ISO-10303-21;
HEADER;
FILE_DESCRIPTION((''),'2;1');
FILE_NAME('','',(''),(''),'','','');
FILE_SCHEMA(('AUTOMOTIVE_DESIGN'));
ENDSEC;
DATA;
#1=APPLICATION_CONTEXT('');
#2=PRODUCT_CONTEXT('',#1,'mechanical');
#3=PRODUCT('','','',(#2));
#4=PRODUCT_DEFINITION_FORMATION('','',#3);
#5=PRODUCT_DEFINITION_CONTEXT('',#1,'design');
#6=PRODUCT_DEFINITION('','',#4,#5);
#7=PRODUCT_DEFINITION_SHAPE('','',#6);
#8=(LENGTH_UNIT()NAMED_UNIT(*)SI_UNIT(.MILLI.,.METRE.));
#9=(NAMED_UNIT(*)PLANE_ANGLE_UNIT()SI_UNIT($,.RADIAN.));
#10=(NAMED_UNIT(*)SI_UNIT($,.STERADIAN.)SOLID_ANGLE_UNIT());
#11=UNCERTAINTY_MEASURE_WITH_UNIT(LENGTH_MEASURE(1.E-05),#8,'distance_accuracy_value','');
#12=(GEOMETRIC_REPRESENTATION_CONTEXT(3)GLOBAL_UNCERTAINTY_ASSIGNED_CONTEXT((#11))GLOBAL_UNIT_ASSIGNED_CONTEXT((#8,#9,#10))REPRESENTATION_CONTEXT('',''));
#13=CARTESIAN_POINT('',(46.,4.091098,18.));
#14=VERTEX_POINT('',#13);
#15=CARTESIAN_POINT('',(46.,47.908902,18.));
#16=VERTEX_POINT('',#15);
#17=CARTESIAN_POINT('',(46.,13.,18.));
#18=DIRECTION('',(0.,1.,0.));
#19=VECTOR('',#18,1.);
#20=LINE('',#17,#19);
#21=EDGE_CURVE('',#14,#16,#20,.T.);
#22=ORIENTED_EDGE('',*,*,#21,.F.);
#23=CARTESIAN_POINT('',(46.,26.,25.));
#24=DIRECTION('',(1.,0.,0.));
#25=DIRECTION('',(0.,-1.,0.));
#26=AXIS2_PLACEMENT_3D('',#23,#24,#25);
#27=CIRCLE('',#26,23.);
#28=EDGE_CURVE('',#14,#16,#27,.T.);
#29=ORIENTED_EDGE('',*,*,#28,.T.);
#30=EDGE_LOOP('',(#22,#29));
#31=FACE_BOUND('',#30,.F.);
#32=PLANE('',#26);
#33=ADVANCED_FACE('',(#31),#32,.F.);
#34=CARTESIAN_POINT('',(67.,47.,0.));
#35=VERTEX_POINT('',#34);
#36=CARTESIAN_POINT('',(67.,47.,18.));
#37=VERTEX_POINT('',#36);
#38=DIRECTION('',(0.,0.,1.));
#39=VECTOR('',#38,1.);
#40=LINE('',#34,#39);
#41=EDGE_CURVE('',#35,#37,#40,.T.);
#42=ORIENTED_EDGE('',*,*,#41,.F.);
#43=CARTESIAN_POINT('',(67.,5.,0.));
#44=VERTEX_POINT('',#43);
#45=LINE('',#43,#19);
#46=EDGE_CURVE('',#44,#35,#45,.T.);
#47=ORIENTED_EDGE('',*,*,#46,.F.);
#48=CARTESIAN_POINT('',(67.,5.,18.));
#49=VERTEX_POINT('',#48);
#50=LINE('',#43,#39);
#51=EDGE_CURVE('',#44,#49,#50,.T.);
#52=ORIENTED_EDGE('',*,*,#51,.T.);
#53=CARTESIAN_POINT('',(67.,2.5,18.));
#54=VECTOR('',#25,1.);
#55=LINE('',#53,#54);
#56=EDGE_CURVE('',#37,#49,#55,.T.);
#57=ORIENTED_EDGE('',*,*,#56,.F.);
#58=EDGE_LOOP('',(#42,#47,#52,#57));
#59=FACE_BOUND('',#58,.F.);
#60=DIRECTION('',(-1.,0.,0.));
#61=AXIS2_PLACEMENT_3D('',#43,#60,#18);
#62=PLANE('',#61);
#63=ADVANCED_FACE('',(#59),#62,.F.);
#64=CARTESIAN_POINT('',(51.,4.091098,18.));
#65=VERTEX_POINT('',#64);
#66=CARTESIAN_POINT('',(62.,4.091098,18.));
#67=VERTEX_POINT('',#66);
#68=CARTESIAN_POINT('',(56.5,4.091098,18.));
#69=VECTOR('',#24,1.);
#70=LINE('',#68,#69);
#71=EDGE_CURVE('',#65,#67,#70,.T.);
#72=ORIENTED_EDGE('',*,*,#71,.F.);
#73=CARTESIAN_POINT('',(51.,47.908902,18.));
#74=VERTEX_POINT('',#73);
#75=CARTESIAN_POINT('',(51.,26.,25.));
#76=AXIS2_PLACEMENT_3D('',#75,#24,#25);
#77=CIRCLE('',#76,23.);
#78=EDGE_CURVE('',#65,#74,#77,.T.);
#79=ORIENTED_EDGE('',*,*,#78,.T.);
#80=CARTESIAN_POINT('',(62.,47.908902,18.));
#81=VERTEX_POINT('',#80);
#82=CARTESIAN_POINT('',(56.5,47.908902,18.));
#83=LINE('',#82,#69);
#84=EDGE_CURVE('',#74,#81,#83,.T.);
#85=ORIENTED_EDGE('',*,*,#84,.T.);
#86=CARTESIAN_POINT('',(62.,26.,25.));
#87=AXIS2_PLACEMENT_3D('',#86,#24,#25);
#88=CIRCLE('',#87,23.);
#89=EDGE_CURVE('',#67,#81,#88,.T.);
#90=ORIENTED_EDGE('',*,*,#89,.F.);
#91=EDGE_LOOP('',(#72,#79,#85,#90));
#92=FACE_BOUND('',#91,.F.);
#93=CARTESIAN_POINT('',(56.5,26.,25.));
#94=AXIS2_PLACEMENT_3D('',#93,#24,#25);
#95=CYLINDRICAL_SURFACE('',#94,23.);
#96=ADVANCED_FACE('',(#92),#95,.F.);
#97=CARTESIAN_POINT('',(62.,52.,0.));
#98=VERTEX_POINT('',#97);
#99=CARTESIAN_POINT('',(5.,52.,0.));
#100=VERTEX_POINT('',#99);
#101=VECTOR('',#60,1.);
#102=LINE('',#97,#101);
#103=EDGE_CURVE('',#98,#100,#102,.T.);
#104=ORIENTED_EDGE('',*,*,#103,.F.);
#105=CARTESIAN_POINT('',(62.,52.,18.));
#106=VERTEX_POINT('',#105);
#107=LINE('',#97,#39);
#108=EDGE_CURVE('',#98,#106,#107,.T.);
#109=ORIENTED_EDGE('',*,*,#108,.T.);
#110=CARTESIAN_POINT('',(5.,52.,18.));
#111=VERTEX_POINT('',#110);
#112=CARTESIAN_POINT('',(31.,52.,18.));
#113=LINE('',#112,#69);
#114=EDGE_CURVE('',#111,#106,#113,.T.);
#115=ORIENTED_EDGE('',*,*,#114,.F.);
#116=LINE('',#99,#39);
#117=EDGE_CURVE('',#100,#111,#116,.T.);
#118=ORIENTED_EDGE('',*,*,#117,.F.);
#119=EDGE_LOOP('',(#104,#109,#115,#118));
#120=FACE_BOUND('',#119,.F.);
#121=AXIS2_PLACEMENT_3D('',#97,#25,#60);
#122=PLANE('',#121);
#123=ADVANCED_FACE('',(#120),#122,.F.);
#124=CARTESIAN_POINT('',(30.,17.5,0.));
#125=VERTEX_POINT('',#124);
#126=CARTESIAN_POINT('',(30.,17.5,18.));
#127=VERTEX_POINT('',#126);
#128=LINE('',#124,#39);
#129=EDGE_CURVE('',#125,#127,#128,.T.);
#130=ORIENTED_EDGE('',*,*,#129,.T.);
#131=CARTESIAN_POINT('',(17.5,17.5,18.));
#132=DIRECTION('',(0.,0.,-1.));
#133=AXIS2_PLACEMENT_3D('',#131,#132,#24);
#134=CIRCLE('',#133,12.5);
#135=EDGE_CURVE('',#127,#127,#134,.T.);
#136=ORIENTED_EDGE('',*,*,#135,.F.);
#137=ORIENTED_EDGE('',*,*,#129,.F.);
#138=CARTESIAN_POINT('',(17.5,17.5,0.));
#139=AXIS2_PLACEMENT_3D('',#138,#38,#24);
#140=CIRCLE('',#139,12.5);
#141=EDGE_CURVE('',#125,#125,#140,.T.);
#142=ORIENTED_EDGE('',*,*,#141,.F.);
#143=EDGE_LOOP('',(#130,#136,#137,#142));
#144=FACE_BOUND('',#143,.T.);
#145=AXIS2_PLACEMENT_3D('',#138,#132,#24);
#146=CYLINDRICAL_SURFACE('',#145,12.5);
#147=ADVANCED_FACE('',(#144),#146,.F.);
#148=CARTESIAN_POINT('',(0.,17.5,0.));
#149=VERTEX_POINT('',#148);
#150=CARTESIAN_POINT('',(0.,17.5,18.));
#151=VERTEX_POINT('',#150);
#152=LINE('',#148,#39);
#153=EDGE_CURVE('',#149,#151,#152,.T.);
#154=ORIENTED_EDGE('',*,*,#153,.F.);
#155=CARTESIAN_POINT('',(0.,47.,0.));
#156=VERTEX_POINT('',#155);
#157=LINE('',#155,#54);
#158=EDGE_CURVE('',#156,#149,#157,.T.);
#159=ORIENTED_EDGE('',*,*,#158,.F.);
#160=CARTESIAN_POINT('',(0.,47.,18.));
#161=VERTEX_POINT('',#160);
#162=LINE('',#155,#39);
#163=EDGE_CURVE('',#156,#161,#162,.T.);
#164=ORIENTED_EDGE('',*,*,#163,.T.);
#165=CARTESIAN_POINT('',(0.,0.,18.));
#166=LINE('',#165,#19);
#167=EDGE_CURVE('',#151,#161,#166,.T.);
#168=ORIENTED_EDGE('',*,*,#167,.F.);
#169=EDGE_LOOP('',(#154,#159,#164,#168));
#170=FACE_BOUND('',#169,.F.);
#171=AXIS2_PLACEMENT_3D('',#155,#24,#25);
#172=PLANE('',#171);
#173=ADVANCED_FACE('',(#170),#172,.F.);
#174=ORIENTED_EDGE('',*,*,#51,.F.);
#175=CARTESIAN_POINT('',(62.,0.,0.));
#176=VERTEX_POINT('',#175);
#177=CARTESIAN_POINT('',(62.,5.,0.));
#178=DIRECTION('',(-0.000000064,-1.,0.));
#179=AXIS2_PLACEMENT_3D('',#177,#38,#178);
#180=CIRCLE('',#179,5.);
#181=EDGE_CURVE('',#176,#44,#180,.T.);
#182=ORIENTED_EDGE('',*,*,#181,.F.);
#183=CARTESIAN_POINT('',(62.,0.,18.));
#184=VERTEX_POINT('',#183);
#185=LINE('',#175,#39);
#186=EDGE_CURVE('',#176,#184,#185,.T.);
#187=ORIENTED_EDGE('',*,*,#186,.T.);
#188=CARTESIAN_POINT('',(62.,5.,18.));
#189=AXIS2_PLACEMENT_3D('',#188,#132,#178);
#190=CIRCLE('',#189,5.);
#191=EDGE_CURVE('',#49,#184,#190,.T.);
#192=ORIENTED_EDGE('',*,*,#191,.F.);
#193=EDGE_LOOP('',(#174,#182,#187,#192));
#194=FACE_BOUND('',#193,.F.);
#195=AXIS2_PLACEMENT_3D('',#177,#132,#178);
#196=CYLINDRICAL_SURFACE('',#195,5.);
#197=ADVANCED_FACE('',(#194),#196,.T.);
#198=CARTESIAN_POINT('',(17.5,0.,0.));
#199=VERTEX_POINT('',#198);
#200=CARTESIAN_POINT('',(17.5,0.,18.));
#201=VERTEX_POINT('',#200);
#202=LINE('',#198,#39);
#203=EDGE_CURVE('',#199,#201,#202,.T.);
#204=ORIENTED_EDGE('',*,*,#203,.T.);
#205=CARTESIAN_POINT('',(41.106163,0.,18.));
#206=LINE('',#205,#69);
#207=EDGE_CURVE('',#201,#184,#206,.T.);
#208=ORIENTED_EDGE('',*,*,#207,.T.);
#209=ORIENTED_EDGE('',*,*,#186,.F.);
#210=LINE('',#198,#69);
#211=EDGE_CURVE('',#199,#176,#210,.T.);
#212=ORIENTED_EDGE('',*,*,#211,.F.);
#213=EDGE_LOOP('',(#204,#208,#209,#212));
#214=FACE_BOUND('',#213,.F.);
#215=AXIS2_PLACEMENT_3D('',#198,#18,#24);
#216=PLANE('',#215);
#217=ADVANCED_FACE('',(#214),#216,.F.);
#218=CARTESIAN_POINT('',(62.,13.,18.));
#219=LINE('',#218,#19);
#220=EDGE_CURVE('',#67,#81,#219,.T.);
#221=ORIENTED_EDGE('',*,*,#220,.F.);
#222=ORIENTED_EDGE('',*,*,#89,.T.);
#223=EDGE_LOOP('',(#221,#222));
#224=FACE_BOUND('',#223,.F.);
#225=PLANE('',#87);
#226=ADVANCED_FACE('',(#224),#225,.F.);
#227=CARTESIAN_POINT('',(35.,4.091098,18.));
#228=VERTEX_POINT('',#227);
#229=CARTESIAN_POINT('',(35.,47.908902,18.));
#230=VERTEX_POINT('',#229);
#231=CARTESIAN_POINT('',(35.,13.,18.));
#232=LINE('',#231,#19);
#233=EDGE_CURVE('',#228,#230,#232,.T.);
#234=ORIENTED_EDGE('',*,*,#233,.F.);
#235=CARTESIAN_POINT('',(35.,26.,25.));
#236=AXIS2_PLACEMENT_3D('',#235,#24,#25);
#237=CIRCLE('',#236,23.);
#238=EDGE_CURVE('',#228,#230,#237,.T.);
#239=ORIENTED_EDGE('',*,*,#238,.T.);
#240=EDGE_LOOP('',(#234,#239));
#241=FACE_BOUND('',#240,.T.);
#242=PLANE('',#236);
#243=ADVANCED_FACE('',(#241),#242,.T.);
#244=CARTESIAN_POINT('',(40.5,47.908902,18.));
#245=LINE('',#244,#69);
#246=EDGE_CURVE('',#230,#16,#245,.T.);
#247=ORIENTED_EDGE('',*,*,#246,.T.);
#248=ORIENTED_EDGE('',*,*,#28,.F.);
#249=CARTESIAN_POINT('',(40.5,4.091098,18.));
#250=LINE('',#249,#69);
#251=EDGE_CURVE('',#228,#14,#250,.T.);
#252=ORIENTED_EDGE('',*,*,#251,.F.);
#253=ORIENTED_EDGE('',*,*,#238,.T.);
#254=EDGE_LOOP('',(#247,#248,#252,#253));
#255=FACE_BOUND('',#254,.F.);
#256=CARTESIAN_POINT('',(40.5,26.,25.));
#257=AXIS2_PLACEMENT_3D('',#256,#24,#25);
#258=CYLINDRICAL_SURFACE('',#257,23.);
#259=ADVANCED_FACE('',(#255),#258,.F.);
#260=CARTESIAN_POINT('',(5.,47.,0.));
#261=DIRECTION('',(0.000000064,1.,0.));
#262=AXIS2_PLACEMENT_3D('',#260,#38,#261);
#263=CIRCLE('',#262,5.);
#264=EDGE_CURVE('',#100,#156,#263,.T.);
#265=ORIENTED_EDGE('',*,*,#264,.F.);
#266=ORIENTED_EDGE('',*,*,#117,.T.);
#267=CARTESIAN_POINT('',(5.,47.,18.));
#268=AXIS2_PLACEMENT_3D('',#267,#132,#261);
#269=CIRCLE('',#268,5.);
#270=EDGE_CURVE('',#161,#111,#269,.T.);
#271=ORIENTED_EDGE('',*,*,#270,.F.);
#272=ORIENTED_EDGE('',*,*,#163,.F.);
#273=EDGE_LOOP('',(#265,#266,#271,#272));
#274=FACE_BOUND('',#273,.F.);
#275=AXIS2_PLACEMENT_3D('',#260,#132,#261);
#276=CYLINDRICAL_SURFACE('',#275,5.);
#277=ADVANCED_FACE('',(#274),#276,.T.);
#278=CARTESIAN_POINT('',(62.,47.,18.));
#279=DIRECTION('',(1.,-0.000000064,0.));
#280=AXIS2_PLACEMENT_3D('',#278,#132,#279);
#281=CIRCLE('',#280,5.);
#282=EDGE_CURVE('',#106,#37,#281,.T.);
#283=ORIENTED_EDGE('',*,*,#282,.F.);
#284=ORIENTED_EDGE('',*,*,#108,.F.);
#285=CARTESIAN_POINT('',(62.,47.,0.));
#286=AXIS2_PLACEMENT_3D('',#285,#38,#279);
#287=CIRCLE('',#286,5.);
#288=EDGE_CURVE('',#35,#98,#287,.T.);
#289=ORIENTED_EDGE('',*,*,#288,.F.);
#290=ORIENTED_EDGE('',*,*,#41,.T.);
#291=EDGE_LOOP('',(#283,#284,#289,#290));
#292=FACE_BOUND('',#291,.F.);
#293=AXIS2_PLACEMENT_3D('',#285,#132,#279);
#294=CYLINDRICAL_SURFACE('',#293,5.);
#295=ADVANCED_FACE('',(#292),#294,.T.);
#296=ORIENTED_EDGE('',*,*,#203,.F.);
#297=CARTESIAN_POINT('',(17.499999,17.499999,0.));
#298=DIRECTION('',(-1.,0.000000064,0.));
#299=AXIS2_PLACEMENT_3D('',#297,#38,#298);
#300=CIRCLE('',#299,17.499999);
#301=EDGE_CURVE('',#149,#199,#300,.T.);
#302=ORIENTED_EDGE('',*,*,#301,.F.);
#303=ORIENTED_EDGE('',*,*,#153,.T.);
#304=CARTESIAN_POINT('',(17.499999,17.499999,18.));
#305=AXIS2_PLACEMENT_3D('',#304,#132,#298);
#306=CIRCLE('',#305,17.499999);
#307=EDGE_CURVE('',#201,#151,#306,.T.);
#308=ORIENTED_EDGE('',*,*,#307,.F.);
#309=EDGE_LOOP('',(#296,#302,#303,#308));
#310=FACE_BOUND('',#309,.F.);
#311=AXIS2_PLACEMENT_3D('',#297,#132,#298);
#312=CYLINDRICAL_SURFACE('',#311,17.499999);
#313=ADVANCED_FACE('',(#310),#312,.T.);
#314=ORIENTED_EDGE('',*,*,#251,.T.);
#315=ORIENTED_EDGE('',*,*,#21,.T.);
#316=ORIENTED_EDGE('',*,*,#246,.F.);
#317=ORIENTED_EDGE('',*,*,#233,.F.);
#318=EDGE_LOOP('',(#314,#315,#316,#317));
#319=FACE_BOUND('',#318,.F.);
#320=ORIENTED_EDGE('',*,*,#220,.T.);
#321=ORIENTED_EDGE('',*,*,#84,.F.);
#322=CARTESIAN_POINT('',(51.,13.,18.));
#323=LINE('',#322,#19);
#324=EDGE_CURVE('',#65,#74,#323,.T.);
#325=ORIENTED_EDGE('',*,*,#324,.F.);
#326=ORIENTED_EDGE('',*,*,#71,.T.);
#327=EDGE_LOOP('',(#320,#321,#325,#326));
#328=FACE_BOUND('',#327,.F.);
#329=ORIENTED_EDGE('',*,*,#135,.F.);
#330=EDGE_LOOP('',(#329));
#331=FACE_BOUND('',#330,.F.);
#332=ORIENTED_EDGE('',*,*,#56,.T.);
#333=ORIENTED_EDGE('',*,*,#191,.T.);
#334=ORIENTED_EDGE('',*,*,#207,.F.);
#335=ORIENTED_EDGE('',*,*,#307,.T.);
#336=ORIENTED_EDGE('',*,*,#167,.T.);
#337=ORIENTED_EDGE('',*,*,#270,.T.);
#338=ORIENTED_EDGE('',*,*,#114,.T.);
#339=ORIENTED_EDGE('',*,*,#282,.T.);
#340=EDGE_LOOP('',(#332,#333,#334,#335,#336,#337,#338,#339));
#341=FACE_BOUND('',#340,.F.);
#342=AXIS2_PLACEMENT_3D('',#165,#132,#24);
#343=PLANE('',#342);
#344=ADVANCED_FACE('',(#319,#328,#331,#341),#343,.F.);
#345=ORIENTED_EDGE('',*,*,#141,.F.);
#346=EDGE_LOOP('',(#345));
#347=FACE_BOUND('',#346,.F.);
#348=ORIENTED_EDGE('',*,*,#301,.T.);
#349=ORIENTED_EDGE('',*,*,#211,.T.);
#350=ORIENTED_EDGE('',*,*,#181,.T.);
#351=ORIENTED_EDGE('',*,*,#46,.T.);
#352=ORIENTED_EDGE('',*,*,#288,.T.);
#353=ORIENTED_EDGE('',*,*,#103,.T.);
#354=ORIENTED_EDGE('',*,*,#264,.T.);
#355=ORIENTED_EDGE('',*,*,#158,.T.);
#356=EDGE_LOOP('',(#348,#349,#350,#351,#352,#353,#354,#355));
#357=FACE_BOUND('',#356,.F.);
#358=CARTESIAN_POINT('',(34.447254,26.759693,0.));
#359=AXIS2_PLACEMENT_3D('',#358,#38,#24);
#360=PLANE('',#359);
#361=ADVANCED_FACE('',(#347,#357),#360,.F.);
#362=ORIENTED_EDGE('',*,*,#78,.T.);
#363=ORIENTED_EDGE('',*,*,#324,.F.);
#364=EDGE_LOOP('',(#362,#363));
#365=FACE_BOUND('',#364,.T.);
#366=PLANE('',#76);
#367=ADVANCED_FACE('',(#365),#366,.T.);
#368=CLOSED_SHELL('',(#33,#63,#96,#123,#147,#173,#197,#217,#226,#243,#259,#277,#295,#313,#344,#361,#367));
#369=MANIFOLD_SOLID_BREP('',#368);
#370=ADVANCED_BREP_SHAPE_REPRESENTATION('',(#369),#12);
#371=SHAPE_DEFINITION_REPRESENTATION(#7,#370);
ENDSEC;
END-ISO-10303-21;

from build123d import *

# Parameters (mm, degrees)
F0_R     = 12.5
F1_DEPTH = 25
F2_W     = 11
F2_H     = 23
F4_W     = 82.212326
F4_H     = 18.054354
F5_DEPTH = 52.001


with BuildPart() as f1:
    # F0 (on Top) → F1 (new body)
    with BuildSketch(Plane.XY):
        with BuildLine():
            ThreePointArc((0, 17.5), (5.125631, 5.125631), (17.5, 0))
            Line((17.5, 0), (62, 0))
            ThreePointArc((62, 0), (65.535534, 1.464466), (67, 5))
            Line((67, 5), (67, 47))
            ThreePointArc((67, 47), (65.535534, 50.535534), (62, 52))
            Line((62, 52), (5, 52))
            ThreePointArc((5, 52), (1.464466, 50.535534), (0, 47))
            Line((0, 47), (0, 17.5))
        make_face()
        with Locations((17.5, 17.5)):
            Circle(F0_R, mode=Mode.SUBTRACT)
    extrude(amount=F1_DEPTH)

    # F2 (on face) → F3 (revolve, cut)
    with BuildSketch(Plane.XY.offset(25)):
        with Locations((40.5, 14.5)):
            Rectangle(F2_W, F2_H)
        with Locations((56.5, 14.5)):
            Rectangle(F2_W, F2_H)
    revolve(axis=Axis((40.5, 26, 25), (1, 0, 0)), mode=Mode.SUBTRACT)

    # F4 (on face) → F5 (cut, through all)
    with BuildSketch(Plane.XZ):
        with Locations((41.106163, 27.027177)):
            Rectangle(F4_W, F4_H)
    extrude(amount=-F5_DEPTH, mode=Mode.SUBTRACT)


solid = f1.part
